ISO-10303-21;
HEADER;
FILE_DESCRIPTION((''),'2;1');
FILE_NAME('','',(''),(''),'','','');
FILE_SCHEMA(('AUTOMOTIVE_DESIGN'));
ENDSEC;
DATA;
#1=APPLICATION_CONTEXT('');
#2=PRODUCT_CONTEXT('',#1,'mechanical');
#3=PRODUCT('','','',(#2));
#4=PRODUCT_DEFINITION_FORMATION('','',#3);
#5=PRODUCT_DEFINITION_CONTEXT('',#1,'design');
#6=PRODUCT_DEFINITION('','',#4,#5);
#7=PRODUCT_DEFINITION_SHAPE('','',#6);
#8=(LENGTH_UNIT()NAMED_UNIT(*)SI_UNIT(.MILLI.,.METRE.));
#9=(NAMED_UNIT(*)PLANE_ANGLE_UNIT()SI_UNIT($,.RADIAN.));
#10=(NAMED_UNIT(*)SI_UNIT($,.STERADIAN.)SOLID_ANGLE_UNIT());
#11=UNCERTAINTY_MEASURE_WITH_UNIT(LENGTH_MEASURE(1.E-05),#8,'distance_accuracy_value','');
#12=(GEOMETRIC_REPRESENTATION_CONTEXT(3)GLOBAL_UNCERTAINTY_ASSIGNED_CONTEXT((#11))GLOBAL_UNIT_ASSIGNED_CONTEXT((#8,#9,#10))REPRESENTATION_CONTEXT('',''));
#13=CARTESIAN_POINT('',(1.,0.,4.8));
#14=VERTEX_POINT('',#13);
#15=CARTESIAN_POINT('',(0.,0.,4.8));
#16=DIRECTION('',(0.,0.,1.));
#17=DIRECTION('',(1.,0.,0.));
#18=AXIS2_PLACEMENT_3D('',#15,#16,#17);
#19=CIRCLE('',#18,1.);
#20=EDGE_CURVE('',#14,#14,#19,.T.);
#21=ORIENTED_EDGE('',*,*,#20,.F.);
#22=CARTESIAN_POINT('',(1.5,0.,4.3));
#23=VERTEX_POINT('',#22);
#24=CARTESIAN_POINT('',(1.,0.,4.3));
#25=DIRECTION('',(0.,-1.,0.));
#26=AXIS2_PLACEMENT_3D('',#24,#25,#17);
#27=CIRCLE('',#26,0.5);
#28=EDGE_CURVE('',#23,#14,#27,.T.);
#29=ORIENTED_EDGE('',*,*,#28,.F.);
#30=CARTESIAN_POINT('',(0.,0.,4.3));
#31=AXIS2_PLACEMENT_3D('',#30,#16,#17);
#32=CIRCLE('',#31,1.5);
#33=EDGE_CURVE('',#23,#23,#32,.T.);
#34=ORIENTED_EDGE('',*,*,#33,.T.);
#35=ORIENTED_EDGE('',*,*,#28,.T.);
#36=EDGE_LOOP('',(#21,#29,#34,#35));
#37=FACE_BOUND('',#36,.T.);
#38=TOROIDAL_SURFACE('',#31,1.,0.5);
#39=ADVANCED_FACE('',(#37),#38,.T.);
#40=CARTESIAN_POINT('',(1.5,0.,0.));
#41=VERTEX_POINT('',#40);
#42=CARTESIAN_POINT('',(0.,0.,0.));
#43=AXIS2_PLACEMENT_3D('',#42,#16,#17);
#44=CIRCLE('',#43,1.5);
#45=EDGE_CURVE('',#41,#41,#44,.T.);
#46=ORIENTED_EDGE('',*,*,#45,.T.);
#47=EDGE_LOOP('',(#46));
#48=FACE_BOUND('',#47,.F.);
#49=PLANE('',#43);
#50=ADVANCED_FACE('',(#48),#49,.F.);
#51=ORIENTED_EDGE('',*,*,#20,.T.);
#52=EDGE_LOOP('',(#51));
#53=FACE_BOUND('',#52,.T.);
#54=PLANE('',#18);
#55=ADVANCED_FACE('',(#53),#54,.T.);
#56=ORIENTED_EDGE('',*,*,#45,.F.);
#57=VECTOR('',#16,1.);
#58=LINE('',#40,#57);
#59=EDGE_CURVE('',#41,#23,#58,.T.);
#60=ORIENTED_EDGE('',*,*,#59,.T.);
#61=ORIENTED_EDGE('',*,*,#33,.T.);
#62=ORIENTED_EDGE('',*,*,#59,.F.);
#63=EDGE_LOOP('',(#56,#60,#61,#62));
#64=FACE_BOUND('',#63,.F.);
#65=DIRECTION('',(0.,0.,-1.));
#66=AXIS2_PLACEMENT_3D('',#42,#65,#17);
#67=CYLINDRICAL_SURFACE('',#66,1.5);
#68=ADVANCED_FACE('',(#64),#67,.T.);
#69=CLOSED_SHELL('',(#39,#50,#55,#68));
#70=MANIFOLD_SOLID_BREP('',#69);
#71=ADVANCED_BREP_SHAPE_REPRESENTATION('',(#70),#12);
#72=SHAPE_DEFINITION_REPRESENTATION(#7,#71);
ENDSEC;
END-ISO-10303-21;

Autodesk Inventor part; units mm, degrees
ref_plane "YZ Plane" through (0, 0, 0) normal (1, 0, 0) x (0, 1, 0)
ref_plane "XZ Plane" through (0, 0, 0) normal (0, 1, 0) x (-1, 0, 0)
ref_plane "XY Plane" through (0, 0, 0) normal (0, 0, 1) x (1, 0, 0)
sketch "Sketch1" plane through (0, 0, 0) normal (0, 0, 1) x (1, 0, 0)
  circle A0 centre (0, 0) radius 1.5
  dimension "d0" = 3
extrude "Extrusion1" add sketch "Sketch1" along normal blind 4.8
fillet "Fillet1" radius 0.5 1 edges at (-1.5, 0, 4.8)
properties part number "GearBoxPin"
